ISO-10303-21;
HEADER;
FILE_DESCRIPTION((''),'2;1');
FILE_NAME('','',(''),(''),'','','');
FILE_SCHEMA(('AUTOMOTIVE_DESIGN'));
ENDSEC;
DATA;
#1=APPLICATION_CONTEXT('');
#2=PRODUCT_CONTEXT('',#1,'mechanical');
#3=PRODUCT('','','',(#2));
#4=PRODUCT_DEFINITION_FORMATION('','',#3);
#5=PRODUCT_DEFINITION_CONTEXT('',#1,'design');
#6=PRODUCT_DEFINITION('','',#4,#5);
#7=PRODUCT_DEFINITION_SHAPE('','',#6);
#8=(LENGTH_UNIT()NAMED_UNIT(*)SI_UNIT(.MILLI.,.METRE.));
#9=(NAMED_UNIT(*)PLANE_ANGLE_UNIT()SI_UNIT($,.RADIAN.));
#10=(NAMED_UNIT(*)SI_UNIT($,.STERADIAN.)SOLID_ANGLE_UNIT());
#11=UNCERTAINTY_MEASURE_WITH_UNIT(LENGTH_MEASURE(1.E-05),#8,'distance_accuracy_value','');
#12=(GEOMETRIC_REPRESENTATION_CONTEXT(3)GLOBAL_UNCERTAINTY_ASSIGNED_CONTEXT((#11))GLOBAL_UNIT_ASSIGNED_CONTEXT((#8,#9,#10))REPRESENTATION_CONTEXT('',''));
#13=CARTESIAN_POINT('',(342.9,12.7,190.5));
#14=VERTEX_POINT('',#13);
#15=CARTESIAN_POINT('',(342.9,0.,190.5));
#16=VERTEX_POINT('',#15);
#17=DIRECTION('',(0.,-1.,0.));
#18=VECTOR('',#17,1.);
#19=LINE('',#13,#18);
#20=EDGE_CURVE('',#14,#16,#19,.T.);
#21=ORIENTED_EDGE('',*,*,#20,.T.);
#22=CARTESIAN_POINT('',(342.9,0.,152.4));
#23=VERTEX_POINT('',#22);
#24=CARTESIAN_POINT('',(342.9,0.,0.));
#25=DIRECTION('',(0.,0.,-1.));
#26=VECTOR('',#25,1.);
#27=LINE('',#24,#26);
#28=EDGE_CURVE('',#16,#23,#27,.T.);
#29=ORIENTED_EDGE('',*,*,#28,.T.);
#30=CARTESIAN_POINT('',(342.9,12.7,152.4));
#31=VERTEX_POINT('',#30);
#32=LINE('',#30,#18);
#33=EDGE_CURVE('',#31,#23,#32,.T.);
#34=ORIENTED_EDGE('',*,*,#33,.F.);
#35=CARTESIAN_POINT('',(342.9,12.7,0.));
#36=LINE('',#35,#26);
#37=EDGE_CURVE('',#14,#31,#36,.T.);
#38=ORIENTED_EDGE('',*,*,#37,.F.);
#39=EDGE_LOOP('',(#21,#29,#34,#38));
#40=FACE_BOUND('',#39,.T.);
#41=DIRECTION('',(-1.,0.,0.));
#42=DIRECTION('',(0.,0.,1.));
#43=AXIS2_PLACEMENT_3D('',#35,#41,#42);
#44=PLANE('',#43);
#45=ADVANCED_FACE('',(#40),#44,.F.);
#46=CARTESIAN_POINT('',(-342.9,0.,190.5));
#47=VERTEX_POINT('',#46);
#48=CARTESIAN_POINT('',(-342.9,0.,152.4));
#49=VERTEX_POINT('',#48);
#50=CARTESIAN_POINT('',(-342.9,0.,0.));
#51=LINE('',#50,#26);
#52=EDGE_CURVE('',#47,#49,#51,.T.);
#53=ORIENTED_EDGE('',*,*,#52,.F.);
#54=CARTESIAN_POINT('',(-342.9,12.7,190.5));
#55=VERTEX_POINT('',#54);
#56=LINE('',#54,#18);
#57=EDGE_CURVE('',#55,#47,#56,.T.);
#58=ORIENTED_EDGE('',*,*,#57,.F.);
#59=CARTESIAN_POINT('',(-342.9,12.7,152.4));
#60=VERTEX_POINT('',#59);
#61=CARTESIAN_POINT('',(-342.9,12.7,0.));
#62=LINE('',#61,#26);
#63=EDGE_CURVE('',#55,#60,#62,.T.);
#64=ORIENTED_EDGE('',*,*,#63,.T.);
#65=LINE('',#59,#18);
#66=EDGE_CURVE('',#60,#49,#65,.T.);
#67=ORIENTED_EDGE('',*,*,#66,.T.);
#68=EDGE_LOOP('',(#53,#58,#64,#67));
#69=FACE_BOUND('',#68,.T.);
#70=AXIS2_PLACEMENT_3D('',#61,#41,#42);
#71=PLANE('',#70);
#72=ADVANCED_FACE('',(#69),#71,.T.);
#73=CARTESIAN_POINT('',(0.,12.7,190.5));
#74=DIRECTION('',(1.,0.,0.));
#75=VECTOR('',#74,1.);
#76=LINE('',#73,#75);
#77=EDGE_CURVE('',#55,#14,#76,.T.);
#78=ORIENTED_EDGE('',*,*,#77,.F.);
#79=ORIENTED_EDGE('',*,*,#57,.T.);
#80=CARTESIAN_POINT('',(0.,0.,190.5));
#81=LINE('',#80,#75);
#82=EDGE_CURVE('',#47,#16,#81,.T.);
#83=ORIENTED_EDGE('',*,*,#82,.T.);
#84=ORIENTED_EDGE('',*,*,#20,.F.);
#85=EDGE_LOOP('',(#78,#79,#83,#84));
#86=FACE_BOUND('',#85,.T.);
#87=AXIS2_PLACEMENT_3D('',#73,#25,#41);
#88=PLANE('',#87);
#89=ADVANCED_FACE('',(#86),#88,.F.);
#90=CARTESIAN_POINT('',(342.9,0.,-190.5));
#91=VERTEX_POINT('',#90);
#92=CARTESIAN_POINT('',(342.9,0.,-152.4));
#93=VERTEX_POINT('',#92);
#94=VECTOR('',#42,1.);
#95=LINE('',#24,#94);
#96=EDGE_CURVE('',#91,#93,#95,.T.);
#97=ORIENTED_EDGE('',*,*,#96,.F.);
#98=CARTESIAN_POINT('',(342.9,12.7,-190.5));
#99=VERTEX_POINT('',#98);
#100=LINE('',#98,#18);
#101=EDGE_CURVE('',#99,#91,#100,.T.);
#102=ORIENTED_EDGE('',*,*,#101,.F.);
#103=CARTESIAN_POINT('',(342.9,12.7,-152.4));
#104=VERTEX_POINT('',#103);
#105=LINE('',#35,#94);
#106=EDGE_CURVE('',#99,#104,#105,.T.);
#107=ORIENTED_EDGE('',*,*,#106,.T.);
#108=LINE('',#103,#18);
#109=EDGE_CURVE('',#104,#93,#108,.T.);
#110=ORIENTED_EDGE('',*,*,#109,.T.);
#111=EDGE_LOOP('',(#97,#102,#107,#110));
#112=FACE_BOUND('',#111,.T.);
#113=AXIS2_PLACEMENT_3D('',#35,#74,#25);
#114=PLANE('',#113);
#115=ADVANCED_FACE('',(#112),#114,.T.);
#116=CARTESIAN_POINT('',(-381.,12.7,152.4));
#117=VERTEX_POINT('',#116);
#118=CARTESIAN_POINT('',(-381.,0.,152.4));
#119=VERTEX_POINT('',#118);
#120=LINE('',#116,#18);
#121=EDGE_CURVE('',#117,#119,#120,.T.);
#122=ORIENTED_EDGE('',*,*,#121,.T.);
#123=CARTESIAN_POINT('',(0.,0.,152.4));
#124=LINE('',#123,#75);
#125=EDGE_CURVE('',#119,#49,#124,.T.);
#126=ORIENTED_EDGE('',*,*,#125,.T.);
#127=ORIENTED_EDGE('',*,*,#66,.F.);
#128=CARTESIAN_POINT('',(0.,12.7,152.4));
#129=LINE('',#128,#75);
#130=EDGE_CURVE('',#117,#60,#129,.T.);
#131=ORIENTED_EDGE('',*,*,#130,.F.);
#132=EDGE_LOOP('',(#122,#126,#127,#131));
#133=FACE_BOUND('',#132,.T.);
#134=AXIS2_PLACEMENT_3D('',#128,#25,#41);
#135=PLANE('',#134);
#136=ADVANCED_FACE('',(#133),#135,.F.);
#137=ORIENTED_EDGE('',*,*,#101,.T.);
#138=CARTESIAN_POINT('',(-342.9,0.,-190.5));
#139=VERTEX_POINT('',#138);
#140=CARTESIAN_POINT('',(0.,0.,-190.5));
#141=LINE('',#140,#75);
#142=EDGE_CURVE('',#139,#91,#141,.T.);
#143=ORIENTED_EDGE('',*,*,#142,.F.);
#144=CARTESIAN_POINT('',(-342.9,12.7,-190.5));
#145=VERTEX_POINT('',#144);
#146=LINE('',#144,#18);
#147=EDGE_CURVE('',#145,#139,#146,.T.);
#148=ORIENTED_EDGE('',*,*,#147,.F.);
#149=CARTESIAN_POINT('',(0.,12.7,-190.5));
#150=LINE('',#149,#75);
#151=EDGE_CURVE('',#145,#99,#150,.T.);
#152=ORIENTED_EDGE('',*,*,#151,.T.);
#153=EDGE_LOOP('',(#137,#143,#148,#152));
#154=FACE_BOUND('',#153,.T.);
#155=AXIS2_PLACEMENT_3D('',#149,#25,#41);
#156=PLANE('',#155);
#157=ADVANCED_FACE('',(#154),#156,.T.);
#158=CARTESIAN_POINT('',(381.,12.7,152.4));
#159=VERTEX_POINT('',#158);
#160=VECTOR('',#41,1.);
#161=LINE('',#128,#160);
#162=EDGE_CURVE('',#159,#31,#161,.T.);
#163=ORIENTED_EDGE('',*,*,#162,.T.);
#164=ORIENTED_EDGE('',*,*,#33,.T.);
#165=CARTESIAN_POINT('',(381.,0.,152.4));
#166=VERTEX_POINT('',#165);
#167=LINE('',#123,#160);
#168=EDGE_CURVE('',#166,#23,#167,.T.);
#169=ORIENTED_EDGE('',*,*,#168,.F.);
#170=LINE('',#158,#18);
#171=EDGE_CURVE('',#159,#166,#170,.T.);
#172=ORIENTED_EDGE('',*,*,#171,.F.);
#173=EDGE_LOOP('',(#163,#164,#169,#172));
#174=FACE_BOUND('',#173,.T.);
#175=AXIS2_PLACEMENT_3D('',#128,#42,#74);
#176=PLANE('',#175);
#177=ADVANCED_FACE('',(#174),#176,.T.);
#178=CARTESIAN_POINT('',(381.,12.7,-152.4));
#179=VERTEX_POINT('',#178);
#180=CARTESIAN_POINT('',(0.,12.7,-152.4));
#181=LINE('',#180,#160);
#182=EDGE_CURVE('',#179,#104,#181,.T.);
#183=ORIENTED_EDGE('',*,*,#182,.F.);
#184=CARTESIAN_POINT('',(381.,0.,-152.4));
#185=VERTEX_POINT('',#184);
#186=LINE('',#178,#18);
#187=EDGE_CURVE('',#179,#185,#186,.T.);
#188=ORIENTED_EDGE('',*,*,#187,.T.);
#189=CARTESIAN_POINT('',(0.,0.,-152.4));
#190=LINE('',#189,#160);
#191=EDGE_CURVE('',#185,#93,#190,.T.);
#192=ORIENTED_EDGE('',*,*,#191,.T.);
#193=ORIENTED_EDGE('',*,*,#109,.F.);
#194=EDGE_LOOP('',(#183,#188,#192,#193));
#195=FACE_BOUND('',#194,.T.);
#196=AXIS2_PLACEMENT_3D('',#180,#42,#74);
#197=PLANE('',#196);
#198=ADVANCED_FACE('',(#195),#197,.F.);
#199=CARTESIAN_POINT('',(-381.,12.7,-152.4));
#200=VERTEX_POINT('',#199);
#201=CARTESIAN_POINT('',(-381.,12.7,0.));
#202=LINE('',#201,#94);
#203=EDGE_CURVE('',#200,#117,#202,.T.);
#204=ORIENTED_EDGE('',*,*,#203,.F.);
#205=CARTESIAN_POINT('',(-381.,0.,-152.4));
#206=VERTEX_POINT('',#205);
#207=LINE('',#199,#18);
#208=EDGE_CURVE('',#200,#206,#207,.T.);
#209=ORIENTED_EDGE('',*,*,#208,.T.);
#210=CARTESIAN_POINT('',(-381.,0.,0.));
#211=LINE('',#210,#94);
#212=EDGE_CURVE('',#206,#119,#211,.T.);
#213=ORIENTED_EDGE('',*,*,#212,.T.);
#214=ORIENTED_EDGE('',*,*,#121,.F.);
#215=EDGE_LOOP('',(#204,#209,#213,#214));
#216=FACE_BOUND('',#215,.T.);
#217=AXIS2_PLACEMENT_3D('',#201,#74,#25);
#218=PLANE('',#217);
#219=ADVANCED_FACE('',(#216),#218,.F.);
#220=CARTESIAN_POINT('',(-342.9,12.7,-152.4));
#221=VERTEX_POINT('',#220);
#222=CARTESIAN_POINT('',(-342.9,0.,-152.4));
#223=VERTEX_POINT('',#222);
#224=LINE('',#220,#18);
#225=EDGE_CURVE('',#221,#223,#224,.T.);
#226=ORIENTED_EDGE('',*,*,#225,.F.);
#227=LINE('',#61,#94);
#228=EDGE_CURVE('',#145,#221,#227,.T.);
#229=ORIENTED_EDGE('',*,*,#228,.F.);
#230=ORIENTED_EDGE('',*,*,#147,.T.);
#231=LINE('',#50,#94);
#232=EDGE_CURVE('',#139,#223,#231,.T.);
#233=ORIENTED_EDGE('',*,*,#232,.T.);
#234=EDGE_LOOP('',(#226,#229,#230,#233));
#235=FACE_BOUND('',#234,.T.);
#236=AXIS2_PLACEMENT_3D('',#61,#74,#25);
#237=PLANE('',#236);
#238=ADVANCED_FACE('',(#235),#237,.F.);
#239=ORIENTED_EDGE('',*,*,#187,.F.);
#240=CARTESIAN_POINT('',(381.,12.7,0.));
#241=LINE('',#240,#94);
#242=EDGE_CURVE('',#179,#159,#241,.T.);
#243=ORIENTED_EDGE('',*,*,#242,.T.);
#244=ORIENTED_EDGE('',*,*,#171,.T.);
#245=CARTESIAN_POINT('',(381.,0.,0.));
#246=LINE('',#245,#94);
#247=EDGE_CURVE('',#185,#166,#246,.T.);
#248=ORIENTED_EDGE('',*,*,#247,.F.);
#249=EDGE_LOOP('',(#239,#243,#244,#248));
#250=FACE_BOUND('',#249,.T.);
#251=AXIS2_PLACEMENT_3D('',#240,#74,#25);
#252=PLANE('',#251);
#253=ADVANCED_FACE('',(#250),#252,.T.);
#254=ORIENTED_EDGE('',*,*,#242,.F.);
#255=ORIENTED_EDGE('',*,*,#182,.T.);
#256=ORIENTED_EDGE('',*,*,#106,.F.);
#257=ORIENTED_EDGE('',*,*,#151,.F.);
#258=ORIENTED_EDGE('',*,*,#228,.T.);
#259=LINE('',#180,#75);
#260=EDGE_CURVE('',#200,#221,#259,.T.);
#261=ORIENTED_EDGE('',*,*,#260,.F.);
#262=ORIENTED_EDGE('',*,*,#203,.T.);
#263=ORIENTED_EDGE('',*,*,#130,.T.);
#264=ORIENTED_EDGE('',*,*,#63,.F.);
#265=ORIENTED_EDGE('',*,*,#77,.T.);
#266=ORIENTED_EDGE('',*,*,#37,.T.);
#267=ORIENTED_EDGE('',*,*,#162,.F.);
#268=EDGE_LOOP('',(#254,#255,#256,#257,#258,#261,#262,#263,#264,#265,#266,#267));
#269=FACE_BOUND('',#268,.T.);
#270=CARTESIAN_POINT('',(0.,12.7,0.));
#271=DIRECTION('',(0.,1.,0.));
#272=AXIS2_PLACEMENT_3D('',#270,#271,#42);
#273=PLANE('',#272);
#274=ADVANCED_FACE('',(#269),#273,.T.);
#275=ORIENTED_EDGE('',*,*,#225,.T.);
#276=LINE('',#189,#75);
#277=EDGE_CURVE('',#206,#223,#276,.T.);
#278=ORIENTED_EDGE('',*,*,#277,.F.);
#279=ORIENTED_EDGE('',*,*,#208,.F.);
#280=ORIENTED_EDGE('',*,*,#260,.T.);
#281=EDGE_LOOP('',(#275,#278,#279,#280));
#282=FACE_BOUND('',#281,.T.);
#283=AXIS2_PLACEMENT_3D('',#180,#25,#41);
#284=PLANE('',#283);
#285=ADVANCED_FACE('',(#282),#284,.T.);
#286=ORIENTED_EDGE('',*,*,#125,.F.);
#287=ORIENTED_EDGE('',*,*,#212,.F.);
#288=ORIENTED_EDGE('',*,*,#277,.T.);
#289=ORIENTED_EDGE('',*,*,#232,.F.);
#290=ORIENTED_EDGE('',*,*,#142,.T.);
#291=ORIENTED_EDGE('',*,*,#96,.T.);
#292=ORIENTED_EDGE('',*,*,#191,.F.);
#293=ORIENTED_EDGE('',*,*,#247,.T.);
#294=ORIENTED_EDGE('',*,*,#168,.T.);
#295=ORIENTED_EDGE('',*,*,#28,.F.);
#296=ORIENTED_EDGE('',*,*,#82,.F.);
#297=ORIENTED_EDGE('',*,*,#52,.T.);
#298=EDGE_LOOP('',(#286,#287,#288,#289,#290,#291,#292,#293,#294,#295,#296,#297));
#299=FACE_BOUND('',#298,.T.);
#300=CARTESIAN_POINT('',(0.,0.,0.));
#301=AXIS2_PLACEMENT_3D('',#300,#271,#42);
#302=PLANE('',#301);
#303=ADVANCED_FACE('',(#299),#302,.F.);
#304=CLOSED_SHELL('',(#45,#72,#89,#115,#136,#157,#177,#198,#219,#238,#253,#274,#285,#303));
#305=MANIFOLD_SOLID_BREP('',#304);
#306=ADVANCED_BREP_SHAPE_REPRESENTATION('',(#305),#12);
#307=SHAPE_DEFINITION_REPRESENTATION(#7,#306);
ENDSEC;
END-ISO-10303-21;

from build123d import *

# Parameters (mm, degrees)
BOSS_EXTRUDE1_DEPTH = 12.7


with BuildPart() as part:
    # Sketch1 → Boss-Extrude1 (new body)
    with BuildSketch(Plane(origin=(0, 0, 0), x_dir=(1, 0, 0), z_dir=(0, 1, 0))):
        Polygon((342.9, 190.5), (-342.9, 190.5), (-342.9, 152.4), (-381, 152.4), (-381, -152.4), (-342.9, -152.4), (-342.9, -190.5), (342.9, -190.5), (342.9, -152.4), (381, -152.4), (381, 152.4), (342.9, 152.4), align=None)
    extrude(amount=BOSS_EXTRUDE1_DEPTH)


solid = part.part
